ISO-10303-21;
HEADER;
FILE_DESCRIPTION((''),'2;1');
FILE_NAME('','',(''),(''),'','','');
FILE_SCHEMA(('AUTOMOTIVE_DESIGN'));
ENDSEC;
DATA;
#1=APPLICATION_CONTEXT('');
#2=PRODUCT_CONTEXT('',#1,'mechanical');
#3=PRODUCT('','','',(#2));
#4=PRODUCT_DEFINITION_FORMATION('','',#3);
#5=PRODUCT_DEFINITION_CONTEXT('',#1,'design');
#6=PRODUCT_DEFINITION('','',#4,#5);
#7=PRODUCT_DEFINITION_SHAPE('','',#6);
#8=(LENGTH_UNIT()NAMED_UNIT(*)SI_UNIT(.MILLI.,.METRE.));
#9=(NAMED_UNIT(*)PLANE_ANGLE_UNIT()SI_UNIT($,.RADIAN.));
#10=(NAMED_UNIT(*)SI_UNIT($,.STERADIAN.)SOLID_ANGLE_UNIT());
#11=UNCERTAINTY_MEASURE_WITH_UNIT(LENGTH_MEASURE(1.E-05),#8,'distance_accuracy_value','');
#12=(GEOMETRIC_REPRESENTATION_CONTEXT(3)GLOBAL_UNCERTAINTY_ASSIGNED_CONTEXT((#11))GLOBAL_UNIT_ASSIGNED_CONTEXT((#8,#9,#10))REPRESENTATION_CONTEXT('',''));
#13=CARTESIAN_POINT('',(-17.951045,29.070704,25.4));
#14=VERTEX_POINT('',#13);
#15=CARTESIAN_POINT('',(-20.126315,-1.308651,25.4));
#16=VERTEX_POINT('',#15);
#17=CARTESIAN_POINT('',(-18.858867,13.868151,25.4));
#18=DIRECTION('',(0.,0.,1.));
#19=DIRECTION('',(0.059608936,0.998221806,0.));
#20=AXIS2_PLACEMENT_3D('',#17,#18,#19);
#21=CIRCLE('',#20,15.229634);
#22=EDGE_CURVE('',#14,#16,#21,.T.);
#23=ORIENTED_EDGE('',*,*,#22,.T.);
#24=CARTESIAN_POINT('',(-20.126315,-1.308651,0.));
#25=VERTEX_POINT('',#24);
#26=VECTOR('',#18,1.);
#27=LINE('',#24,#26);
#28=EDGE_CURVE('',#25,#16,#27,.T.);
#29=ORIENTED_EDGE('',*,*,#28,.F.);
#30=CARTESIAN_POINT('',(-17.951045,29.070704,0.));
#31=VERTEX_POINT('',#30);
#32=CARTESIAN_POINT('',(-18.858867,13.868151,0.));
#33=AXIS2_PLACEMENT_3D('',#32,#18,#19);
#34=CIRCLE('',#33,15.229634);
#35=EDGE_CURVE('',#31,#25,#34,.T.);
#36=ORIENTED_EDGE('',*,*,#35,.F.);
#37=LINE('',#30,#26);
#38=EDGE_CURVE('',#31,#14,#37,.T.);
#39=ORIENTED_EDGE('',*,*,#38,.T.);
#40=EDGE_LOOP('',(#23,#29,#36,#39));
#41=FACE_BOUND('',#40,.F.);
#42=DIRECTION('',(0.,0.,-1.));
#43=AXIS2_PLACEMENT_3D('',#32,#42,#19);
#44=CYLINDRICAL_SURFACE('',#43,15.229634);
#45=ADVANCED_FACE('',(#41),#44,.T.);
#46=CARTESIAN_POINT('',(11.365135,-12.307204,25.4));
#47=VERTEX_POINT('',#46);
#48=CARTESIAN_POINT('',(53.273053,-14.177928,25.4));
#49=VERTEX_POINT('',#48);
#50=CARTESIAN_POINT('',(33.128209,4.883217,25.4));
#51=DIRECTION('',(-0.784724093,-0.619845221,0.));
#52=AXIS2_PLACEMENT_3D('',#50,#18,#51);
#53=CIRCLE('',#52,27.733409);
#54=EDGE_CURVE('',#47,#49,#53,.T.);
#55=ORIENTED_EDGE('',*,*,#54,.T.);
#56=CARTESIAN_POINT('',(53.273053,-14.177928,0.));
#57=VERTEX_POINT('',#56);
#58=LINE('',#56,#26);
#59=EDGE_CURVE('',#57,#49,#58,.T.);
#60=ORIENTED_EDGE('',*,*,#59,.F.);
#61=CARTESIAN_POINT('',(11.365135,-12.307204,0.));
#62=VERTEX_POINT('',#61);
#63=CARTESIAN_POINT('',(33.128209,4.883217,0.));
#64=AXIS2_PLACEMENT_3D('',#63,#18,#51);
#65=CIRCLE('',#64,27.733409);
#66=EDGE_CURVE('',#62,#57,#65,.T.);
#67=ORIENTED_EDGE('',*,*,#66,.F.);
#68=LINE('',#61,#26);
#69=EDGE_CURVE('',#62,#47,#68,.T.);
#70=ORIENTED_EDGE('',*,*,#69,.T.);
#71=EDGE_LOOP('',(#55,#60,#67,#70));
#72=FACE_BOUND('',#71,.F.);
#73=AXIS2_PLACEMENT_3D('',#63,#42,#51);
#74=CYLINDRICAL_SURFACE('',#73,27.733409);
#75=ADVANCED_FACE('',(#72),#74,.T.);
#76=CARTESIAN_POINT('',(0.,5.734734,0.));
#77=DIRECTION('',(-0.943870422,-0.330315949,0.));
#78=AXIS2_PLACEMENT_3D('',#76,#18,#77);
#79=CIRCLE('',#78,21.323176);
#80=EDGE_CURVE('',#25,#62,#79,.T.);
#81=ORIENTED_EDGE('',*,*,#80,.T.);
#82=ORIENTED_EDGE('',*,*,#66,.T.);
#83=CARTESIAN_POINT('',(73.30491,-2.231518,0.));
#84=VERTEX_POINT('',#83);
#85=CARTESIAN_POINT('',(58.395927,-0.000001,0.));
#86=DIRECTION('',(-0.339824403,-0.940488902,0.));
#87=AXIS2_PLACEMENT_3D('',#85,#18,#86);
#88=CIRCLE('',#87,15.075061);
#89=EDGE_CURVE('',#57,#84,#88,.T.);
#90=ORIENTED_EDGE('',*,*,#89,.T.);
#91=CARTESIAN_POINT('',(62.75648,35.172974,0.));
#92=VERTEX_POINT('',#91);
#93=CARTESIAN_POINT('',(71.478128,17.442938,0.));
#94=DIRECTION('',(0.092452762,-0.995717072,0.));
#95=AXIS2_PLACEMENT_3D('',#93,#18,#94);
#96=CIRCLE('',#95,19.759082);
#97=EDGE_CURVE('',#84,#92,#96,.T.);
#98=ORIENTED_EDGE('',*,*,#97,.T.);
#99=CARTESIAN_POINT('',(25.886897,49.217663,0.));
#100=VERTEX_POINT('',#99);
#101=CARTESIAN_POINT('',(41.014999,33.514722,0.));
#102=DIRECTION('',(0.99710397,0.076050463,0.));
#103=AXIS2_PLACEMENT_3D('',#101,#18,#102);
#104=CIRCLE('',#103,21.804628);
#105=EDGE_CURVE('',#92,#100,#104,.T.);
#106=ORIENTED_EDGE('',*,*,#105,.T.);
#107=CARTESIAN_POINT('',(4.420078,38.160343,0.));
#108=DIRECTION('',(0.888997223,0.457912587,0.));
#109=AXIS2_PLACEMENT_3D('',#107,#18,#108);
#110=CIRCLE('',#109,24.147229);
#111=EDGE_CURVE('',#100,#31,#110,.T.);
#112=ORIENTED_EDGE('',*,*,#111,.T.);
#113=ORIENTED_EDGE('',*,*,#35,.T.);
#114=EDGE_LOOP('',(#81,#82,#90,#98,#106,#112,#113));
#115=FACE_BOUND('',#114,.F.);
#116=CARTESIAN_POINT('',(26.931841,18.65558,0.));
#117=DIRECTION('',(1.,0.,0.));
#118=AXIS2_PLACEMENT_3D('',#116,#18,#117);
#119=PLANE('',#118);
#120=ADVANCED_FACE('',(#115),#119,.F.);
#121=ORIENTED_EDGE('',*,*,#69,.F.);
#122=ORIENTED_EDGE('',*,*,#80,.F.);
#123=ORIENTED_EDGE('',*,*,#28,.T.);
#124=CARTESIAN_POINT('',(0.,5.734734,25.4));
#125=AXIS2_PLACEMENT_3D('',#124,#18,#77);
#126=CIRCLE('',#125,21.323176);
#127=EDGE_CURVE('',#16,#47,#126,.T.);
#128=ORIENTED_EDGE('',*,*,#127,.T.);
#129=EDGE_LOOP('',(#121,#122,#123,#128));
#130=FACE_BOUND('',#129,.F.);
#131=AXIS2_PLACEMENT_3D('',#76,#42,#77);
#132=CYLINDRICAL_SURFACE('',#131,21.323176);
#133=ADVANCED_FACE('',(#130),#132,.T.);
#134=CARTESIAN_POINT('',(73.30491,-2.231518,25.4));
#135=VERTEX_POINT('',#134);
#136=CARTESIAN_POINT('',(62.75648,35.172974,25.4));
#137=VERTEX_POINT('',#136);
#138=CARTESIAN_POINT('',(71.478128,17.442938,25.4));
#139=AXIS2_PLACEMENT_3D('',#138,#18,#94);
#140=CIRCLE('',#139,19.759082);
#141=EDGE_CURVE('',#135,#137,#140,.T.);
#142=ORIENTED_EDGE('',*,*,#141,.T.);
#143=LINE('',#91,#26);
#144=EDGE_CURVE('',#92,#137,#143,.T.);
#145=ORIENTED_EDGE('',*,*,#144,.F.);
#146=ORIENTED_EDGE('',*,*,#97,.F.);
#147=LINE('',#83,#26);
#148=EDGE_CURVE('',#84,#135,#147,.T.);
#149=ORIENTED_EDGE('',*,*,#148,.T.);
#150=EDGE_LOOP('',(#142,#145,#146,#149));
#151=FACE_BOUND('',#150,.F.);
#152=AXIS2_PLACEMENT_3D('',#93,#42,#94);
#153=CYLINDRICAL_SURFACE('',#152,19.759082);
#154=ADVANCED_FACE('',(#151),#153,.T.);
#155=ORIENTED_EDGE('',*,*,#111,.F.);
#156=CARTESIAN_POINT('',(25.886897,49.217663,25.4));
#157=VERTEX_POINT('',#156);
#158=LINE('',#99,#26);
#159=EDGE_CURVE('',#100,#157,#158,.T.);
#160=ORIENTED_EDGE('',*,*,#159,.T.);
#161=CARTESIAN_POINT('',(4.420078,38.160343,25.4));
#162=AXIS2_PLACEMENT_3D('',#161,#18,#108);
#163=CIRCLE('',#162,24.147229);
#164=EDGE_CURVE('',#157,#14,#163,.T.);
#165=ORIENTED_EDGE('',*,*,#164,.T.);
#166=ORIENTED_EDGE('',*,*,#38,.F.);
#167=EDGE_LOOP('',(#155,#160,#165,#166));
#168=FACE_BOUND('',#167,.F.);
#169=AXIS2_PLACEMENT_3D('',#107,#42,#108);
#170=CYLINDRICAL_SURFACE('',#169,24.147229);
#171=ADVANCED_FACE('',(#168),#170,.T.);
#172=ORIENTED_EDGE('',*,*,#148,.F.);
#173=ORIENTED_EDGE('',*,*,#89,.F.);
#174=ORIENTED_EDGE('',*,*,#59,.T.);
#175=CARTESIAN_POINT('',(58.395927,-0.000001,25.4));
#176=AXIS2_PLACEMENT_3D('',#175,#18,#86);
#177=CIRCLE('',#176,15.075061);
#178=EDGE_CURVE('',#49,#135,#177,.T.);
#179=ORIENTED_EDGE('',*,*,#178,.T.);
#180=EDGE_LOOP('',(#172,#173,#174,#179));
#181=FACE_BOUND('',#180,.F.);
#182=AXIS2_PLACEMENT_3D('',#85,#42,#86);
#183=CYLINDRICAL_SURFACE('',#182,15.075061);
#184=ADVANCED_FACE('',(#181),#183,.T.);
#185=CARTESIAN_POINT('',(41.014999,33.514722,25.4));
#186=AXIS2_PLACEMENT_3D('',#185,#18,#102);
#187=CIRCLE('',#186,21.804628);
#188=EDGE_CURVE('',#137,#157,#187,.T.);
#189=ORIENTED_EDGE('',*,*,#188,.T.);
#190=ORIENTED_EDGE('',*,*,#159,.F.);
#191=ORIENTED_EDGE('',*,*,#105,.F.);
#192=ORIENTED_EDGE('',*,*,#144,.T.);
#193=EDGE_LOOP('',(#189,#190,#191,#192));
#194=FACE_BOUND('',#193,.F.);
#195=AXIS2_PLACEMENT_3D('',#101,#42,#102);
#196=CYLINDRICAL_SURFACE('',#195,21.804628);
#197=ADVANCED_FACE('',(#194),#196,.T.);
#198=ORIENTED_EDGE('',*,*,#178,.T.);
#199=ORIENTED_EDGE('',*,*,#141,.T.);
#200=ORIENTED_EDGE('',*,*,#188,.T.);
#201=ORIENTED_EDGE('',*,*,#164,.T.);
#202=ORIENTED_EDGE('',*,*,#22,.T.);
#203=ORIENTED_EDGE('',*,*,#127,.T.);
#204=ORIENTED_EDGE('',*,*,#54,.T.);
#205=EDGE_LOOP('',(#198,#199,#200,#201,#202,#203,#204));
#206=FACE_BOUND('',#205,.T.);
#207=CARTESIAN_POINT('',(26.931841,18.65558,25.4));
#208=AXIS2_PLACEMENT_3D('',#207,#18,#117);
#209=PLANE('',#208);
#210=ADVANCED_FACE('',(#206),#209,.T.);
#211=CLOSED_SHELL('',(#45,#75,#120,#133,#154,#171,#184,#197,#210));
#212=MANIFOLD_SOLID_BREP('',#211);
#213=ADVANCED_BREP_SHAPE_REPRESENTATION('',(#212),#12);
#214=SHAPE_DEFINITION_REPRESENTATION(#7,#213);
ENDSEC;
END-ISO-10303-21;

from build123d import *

# Parameters (mm, degrees)
F1_DEPTH = 25.4


with BuildPart() as f1:
    # F0 (on Top) → F1 (new body)
    with BuildSketch(Plane.XY):
        with BuildLine():
            ThreePointArc((25.886897, 49.217663), (-5.663544, 60.101383), (-17.951045, 29.070704))
            ThreePointArc((-17.951045, 29.070704), (-34.049609, 14.955863), (-20.126315, -1.308651))
            ThreePointArc((-20.126315, -1.308651), (-7.030762, -14.395994), (11.365135, -12.307204))
            ThreePointArc((11.365135, -12.307204), (31.891452, -22.822602), (53.273053, -14.177928))
            ThreePointArc((53.273053, -14.177928), (66.117401, -12.947444), (73.30491, -2.231518))
            ThreePointArc((73.30491, -2.231518), (90.495457, 22.80601), (62.75648, 35.172974))
            ThreePointArc((62.75648, 35.172974), (48.776926, 53.891039), (25.886897, 49.217663))
        make_face()
    extrude(amount=F1_DEPTH)


solid = f1.part
